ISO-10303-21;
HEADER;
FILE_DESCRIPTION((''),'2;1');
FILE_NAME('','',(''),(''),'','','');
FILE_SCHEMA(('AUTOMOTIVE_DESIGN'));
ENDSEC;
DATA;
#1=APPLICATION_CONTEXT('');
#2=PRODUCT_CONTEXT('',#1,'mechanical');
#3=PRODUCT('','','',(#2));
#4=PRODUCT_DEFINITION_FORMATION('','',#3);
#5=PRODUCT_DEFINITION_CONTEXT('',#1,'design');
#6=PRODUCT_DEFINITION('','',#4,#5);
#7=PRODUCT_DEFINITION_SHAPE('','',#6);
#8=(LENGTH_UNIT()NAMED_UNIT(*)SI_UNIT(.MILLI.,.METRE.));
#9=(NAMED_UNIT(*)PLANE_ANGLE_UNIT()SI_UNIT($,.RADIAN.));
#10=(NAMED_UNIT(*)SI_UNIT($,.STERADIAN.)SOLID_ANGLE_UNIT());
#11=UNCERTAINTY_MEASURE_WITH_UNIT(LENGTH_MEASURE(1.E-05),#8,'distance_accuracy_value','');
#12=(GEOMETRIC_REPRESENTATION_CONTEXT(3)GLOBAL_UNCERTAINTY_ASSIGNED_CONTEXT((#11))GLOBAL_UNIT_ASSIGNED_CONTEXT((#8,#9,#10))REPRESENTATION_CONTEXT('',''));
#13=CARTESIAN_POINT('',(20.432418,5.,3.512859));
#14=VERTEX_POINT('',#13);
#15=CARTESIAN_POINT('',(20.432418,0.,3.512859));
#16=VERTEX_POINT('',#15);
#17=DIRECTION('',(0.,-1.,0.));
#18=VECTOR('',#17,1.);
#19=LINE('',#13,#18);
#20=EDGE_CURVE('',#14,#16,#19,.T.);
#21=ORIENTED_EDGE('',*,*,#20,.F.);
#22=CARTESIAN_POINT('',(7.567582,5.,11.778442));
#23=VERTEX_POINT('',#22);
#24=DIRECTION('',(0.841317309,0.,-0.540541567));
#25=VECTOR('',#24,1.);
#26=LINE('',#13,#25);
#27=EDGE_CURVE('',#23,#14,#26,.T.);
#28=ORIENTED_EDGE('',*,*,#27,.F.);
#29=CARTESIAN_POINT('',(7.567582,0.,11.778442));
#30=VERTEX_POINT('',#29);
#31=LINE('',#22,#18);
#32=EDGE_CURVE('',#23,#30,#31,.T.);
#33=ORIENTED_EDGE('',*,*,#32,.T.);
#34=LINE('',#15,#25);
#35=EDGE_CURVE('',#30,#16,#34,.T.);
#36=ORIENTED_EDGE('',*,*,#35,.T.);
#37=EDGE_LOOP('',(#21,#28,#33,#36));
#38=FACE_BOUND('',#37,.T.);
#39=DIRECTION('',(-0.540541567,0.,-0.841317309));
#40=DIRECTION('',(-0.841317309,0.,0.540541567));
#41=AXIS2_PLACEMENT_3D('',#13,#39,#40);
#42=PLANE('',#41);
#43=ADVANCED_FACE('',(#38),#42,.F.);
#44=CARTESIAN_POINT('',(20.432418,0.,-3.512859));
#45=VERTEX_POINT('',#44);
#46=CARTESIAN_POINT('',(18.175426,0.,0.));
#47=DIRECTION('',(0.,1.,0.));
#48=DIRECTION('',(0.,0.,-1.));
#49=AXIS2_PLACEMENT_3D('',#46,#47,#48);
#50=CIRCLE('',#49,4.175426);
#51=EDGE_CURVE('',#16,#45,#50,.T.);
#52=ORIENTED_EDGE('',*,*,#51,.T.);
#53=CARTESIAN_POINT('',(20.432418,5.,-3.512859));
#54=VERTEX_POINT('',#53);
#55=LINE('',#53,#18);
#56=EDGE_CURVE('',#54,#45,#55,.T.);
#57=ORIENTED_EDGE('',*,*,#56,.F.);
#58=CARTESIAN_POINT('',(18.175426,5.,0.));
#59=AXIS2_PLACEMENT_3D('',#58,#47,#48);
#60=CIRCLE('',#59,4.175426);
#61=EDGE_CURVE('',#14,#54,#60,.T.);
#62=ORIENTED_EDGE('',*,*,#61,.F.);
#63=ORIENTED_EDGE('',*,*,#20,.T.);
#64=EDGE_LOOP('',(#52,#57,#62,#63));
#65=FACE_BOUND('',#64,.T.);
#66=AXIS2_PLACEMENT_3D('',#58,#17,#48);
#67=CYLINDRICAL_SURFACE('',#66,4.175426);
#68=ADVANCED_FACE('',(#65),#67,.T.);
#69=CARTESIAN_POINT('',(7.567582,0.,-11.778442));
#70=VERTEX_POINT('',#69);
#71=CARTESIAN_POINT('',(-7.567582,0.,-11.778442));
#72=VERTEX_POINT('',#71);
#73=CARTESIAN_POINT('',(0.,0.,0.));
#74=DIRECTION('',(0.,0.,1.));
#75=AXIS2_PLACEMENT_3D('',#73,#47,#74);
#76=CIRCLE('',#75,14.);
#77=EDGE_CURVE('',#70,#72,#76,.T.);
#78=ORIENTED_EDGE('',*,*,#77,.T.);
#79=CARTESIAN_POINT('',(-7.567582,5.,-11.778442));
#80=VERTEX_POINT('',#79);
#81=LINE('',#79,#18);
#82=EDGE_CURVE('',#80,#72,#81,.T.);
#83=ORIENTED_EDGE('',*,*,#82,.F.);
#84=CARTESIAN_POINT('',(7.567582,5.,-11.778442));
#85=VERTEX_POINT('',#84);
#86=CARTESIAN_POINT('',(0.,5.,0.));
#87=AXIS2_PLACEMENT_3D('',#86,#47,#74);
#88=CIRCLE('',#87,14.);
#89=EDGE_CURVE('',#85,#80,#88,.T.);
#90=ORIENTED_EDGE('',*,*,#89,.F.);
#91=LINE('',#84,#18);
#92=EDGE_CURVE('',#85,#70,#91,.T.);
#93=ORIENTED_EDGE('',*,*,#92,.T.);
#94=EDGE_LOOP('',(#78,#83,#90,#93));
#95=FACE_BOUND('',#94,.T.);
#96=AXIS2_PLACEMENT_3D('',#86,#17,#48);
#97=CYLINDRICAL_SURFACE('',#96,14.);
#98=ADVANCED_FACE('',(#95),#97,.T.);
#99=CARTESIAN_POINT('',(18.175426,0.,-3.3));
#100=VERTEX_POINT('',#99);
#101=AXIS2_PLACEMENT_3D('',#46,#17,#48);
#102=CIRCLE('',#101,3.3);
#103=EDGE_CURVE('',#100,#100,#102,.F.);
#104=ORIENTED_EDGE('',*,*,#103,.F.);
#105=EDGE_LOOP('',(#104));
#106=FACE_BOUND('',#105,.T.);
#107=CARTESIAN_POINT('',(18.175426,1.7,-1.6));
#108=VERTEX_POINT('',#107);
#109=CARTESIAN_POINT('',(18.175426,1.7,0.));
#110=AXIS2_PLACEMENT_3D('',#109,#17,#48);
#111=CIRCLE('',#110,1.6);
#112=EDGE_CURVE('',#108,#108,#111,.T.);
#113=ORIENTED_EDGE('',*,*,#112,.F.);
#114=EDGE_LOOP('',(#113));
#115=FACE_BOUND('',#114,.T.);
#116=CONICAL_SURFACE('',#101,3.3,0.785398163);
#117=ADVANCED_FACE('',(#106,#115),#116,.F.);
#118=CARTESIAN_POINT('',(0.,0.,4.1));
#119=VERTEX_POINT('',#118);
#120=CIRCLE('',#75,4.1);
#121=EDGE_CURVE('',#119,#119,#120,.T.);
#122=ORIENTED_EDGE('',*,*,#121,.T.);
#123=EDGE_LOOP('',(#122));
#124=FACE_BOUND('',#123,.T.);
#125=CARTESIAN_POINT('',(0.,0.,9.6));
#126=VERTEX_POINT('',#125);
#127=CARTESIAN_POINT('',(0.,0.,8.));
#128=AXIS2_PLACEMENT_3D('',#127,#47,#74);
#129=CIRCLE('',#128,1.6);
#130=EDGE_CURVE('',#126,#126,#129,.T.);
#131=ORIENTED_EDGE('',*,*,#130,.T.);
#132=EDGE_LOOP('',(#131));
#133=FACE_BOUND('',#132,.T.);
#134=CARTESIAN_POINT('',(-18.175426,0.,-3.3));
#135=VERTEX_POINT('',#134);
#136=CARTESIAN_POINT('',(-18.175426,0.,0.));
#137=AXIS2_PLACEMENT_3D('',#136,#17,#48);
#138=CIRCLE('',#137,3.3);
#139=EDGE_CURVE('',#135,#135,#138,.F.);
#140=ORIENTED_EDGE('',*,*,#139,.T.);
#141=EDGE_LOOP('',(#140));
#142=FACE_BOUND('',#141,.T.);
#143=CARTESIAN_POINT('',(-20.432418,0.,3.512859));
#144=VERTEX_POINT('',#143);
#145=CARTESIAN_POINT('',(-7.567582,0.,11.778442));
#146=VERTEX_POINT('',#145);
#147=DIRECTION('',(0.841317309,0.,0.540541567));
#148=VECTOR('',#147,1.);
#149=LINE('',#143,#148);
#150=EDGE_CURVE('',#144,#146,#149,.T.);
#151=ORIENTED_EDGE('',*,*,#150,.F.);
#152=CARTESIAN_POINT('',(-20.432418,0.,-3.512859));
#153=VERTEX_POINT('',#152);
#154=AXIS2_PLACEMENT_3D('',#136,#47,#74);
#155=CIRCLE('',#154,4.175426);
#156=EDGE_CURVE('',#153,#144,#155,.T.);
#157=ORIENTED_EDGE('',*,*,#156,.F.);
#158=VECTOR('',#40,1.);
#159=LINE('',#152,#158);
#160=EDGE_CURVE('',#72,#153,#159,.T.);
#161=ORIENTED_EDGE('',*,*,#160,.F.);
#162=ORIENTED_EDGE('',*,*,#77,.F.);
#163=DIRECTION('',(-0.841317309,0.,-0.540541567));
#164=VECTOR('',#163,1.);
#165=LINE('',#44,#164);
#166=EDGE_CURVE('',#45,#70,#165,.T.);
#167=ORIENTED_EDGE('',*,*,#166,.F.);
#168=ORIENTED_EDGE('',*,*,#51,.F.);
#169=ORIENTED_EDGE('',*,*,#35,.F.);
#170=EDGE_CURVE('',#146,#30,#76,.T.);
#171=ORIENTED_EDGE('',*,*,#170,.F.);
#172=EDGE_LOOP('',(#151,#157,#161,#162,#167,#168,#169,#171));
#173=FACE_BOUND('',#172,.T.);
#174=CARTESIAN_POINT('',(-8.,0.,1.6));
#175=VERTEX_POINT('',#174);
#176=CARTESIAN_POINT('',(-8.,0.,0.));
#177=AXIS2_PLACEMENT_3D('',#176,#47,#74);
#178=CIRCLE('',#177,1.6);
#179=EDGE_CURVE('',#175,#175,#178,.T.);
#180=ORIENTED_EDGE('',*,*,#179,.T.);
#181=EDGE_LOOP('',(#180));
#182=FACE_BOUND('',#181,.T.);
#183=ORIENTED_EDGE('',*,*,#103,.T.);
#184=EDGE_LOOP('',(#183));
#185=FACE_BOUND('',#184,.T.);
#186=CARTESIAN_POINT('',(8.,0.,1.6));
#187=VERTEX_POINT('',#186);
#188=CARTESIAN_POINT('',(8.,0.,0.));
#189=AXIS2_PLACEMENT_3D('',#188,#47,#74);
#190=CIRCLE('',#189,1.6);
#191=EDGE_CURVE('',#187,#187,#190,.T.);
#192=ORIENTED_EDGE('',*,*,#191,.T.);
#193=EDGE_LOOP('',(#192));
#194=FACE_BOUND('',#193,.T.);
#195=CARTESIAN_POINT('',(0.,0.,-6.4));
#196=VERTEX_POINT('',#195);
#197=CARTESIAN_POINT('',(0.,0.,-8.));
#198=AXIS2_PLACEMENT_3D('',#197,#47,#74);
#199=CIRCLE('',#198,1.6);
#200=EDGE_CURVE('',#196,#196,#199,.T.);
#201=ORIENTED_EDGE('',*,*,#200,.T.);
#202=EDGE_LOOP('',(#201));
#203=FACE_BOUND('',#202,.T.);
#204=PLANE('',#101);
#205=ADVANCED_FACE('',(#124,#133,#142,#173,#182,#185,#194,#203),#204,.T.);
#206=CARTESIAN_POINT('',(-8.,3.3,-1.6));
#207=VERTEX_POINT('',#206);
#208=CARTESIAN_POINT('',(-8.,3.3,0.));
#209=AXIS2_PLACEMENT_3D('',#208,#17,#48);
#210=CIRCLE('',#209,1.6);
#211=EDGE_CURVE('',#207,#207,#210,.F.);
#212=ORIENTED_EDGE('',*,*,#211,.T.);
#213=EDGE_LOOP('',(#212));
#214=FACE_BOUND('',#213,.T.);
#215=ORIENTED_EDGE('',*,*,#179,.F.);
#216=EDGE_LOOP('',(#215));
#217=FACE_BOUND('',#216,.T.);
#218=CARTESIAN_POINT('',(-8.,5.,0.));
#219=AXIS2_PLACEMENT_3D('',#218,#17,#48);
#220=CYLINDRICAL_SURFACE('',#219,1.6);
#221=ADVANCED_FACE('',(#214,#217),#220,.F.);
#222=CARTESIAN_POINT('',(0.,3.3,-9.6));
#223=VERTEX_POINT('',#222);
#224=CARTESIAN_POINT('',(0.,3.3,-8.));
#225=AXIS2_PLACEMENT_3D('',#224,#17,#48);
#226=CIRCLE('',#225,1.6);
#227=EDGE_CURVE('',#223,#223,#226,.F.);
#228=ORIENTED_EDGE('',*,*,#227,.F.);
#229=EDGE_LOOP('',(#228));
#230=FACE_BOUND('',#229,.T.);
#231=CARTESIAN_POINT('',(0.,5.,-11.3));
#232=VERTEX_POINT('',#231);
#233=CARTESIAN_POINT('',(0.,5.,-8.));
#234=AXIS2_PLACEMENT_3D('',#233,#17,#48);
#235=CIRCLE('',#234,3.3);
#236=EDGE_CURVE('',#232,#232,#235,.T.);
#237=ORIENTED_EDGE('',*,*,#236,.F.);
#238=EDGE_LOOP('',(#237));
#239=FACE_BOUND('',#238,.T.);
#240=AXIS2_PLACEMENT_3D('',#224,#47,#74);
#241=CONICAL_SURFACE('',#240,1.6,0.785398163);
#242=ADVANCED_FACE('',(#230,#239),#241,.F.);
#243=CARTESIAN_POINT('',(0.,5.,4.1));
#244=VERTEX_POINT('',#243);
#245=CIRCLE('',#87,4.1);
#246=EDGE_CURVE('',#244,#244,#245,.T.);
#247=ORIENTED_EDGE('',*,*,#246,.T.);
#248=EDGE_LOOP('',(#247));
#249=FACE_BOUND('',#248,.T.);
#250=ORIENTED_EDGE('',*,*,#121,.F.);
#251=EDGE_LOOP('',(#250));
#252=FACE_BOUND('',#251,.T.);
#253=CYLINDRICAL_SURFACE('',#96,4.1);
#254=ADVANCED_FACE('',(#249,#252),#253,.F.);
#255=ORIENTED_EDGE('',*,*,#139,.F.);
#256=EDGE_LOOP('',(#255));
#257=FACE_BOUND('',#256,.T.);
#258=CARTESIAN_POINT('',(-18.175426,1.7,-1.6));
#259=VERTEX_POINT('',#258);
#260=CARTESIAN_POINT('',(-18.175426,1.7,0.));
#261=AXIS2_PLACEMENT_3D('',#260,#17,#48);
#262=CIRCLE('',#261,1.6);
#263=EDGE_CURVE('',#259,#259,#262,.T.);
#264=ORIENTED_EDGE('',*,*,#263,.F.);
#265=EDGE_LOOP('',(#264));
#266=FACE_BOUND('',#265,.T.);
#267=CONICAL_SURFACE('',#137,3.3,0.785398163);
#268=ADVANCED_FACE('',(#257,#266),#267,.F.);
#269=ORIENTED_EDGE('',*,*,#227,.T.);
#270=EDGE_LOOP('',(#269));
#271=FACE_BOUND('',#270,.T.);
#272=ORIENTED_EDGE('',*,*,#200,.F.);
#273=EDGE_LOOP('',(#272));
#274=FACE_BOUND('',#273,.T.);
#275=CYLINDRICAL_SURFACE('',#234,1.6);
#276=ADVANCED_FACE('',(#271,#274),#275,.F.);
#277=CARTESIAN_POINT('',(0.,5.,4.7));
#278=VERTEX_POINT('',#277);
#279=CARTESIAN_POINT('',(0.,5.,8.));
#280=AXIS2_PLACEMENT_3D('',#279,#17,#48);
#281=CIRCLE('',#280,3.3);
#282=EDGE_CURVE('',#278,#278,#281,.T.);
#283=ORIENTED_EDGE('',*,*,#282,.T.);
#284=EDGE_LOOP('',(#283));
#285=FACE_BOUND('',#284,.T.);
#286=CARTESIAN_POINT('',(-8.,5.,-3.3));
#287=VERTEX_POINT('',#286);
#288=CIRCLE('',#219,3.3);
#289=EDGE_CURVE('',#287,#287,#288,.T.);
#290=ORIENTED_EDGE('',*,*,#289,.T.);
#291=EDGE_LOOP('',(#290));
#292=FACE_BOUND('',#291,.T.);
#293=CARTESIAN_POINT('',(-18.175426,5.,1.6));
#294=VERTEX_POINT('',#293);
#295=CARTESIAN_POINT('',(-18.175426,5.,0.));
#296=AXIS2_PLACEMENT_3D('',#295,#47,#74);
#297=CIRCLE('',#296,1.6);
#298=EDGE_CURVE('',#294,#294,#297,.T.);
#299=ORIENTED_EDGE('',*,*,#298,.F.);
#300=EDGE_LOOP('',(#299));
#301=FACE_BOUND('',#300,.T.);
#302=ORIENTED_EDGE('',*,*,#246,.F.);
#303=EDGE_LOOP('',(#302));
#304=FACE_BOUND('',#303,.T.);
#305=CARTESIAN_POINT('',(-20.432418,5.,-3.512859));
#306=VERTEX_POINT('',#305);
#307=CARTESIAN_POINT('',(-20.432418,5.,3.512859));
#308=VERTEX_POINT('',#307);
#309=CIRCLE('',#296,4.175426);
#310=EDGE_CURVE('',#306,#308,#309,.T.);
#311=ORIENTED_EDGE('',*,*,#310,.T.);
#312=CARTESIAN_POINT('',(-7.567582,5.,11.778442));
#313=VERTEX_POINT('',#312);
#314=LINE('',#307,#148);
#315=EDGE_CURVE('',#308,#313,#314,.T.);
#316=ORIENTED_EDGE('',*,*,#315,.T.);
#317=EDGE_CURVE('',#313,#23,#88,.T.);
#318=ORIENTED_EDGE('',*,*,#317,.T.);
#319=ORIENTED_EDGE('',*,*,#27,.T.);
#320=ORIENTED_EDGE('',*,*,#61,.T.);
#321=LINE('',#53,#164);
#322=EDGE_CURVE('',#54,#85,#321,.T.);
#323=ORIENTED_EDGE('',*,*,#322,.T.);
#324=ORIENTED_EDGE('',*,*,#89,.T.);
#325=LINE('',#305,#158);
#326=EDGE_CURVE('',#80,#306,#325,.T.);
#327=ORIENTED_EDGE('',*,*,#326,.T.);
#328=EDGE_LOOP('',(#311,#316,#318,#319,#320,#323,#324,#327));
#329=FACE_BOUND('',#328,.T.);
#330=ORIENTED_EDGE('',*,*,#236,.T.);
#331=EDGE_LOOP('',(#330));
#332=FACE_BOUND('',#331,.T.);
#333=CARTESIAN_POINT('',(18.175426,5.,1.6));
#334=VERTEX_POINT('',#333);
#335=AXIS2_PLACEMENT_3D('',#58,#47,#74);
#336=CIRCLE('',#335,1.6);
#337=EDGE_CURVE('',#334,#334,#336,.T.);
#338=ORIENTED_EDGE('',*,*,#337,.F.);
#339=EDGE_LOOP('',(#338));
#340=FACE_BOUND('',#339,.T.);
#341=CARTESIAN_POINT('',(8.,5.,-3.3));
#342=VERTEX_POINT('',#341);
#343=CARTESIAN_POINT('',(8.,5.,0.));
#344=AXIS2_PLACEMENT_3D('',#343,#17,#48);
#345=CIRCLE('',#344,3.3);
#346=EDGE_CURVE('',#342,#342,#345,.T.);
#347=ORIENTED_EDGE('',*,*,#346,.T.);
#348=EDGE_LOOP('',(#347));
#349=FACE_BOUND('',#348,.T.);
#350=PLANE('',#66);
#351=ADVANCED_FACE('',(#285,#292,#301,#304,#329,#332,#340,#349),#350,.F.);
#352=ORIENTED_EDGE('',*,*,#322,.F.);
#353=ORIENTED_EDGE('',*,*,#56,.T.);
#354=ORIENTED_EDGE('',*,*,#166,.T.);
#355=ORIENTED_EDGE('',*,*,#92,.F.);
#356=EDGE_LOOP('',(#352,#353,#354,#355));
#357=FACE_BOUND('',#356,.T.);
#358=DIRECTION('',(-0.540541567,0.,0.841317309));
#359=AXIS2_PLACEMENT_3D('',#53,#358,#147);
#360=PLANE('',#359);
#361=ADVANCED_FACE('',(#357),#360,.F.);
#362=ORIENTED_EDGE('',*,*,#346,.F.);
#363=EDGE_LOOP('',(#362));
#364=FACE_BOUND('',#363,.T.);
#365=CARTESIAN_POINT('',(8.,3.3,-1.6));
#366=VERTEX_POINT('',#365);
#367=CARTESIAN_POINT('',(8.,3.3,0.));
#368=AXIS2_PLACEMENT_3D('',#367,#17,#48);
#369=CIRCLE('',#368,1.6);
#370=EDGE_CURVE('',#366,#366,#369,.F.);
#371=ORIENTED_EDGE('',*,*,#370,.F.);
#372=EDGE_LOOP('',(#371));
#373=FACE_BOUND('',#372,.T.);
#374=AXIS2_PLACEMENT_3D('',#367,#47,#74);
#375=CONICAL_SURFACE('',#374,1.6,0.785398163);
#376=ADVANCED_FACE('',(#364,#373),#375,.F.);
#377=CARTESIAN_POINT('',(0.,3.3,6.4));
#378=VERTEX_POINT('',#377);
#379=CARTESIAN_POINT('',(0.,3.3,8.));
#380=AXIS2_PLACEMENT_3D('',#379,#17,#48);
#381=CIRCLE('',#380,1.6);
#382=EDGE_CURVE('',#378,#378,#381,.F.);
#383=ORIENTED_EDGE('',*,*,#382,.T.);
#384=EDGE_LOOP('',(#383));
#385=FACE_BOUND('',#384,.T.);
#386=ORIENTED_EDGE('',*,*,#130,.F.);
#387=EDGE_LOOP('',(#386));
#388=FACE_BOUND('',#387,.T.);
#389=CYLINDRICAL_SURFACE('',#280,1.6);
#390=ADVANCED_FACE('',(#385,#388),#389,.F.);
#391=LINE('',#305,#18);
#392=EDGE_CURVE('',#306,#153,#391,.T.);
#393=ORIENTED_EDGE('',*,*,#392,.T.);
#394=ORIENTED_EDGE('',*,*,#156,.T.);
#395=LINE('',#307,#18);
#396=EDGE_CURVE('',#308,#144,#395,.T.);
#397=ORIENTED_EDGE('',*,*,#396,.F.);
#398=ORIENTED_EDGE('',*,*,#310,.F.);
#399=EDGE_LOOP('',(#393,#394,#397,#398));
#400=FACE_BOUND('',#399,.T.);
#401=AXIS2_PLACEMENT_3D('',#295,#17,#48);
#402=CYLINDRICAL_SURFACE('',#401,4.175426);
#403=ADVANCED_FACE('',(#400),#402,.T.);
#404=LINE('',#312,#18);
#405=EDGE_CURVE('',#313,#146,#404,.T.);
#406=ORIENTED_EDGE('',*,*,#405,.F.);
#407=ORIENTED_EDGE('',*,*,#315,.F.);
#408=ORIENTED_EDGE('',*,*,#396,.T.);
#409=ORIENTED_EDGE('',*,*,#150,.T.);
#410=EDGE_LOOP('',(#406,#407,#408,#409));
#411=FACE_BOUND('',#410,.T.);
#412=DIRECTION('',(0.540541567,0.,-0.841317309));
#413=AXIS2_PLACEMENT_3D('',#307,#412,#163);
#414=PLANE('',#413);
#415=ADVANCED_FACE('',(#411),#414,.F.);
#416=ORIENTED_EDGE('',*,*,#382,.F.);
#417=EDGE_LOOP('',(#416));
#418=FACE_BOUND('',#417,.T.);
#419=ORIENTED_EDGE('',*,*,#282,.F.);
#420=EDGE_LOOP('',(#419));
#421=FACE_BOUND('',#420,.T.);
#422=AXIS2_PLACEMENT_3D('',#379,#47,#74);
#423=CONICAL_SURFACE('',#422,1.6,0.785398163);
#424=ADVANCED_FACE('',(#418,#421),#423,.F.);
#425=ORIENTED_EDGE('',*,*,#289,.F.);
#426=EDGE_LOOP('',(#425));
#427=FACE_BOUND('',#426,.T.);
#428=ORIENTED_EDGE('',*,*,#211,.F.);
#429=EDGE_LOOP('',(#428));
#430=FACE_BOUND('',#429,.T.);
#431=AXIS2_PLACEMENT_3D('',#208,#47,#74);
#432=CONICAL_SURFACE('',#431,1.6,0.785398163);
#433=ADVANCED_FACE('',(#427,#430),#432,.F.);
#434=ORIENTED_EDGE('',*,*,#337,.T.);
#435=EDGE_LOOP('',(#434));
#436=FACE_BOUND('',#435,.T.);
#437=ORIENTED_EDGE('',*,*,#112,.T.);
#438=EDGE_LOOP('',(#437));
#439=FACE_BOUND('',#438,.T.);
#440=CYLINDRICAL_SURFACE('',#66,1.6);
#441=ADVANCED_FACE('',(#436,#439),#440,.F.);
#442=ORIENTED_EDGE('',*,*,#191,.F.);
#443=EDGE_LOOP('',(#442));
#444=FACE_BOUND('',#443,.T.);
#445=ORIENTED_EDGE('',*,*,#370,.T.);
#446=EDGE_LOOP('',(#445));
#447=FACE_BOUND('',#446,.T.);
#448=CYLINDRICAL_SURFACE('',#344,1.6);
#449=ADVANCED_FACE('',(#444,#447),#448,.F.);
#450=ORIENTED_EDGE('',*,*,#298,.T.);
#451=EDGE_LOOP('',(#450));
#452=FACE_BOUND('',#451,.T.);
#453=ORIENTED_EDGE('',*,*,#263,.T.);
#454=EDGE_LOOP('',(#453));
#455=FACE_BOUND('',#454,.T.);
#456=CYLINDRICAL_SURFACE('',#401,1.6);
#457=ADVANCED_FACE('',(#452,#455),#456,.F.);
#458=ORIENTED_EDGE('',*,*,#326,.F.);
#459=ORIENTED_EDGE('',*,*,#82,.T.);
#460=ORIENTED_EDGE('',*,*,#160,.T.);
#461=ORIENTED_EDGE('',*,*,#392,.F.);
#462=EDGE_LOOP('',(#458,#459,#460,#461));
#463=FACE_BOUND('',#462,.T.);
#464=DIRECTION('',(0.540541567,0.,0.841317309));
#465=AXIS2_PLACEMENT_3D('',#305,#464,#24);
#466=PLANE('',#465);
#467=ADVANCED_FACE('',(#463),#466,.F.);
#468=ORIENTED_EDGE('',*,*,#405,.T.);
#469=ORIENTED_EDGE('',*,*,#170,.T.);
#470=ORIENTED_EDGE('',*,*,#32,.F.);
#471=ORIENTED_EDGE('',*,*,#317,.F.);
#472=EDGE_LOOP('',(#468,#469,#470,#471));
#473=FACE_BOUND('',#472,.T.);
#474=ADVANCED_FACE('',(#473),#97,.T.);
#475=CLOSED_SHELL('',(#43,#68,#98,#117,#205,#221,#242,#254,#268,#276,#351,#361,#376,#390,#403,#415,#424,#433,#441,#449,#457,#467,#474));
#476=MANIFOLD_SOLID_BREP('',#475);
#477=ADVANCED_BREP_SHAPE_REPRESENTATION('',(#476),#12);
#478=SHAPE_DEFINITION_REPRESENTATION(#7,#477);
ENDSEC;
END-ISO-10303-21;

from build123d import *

# Parameters (mm, degrees)
SKETCH1_R           = 4.1
SKETCH1_R_2         = 1.6
BOSS_EXTRUDE1_DEPTH = 5
CHAMFER1_SIZE       = 1.7
CHAMFER2_SIZE       = 1.7


with BuildPart() as part:
    # Sketch1 → Boss-Extrude1 (new body)
    with BuildSketch(Plane(origin=(0, 0, 0), x_dir=(1, 0, 0), z_dir=(0, 1, 0))):
        with BuildLine():
            Line((-20.432418055, 3.512858569), (-7.567581945, 11.778442321))
            ThreePointArc((-7.567581945, 11.778442321), (0, 14), (7.567581945, 11.778442321))
            Line((7.567581945, 11.778442321), (20.432418055, 3.512858569))
            ThreePointArc((20.432418055, 3.512858569), (22.350852961, 0), (20.432418055, -3.512858569))
            Line((20.432418055, -3.512858569), (7.567581945, -11.778442321))
            ThreePointArc((7.567581945, -11.778442321), (0, -14), (-7.567581945, -11.778442321))
            Line((-7.567581945, -11.778442321), (-20.432418055, -3.512858569))
            ThreePointArc((-20.432418055, -3.512858569), (-22.350852961, 0), (-20.432418055, 3.512858569))
        make_face()
        with Locations(Location((0, 0, 0), (0, 0, 270))):
            Circle(SKETCH1_R, mode=Mode.SUBTRACT)
        with Locations(Location((-18.175426481, 0, 0), (0, 0, 270))):
            Circle(SKETCH1_R_2, mode=Mode.SUBTRACT)
        with Locations(Location((18.175426481, 0, 0), (0, 0, 270))):
            Circle(SKETCH1_R_2, mode=Mode.SUBTRACT)
        with Locations(Location((8, 0, 0), (0, 0, 270))):
            Circle(SKETCH1_R_2, mode=Mode.SUBTRACT)
        with Locations(Location((0, 8, 0), (0, 0, 270))):
            Circle(SKETCH1_R_2, mode=Mode.SUBTRACT)
        with Locations(Location((-8, 0, 0), (0, 0, 270))):
            Circle(SKETCH1_R_2, mode=Mode.SUBTRACT)
        with Locations(Location((0, -8, 0), (0, 0, 270))):
            Circle(SKETCH1_R_2, mode=Mode.SUBTRACT)
    extrude(amount=BOSS_EXTRUDE1_DEPTH)

    # Chamfer1
    chamfer1_edges = [part.edges().sort_by_distance(p)[0] for p in [
        (0, 5, -9.6),
        (8, 5, -1.6),
        (-8, 5, -1.6),
        (0, 5, 6.4),
    ]]
    chamfer(chamfer1_edges, length=CHAMFER1_SIZE)

    # Chamfer2
    chamfer2_edges = [part.edges().sort_by_distance(p)[0] for p in [
        (-18.175426481, 0, -1.6),
        (18.175426481, 0, -1.6),
    ]]
    chamfer(chamfer2_edges, length=CHAMFER2_SIZE)


solid = part.part
